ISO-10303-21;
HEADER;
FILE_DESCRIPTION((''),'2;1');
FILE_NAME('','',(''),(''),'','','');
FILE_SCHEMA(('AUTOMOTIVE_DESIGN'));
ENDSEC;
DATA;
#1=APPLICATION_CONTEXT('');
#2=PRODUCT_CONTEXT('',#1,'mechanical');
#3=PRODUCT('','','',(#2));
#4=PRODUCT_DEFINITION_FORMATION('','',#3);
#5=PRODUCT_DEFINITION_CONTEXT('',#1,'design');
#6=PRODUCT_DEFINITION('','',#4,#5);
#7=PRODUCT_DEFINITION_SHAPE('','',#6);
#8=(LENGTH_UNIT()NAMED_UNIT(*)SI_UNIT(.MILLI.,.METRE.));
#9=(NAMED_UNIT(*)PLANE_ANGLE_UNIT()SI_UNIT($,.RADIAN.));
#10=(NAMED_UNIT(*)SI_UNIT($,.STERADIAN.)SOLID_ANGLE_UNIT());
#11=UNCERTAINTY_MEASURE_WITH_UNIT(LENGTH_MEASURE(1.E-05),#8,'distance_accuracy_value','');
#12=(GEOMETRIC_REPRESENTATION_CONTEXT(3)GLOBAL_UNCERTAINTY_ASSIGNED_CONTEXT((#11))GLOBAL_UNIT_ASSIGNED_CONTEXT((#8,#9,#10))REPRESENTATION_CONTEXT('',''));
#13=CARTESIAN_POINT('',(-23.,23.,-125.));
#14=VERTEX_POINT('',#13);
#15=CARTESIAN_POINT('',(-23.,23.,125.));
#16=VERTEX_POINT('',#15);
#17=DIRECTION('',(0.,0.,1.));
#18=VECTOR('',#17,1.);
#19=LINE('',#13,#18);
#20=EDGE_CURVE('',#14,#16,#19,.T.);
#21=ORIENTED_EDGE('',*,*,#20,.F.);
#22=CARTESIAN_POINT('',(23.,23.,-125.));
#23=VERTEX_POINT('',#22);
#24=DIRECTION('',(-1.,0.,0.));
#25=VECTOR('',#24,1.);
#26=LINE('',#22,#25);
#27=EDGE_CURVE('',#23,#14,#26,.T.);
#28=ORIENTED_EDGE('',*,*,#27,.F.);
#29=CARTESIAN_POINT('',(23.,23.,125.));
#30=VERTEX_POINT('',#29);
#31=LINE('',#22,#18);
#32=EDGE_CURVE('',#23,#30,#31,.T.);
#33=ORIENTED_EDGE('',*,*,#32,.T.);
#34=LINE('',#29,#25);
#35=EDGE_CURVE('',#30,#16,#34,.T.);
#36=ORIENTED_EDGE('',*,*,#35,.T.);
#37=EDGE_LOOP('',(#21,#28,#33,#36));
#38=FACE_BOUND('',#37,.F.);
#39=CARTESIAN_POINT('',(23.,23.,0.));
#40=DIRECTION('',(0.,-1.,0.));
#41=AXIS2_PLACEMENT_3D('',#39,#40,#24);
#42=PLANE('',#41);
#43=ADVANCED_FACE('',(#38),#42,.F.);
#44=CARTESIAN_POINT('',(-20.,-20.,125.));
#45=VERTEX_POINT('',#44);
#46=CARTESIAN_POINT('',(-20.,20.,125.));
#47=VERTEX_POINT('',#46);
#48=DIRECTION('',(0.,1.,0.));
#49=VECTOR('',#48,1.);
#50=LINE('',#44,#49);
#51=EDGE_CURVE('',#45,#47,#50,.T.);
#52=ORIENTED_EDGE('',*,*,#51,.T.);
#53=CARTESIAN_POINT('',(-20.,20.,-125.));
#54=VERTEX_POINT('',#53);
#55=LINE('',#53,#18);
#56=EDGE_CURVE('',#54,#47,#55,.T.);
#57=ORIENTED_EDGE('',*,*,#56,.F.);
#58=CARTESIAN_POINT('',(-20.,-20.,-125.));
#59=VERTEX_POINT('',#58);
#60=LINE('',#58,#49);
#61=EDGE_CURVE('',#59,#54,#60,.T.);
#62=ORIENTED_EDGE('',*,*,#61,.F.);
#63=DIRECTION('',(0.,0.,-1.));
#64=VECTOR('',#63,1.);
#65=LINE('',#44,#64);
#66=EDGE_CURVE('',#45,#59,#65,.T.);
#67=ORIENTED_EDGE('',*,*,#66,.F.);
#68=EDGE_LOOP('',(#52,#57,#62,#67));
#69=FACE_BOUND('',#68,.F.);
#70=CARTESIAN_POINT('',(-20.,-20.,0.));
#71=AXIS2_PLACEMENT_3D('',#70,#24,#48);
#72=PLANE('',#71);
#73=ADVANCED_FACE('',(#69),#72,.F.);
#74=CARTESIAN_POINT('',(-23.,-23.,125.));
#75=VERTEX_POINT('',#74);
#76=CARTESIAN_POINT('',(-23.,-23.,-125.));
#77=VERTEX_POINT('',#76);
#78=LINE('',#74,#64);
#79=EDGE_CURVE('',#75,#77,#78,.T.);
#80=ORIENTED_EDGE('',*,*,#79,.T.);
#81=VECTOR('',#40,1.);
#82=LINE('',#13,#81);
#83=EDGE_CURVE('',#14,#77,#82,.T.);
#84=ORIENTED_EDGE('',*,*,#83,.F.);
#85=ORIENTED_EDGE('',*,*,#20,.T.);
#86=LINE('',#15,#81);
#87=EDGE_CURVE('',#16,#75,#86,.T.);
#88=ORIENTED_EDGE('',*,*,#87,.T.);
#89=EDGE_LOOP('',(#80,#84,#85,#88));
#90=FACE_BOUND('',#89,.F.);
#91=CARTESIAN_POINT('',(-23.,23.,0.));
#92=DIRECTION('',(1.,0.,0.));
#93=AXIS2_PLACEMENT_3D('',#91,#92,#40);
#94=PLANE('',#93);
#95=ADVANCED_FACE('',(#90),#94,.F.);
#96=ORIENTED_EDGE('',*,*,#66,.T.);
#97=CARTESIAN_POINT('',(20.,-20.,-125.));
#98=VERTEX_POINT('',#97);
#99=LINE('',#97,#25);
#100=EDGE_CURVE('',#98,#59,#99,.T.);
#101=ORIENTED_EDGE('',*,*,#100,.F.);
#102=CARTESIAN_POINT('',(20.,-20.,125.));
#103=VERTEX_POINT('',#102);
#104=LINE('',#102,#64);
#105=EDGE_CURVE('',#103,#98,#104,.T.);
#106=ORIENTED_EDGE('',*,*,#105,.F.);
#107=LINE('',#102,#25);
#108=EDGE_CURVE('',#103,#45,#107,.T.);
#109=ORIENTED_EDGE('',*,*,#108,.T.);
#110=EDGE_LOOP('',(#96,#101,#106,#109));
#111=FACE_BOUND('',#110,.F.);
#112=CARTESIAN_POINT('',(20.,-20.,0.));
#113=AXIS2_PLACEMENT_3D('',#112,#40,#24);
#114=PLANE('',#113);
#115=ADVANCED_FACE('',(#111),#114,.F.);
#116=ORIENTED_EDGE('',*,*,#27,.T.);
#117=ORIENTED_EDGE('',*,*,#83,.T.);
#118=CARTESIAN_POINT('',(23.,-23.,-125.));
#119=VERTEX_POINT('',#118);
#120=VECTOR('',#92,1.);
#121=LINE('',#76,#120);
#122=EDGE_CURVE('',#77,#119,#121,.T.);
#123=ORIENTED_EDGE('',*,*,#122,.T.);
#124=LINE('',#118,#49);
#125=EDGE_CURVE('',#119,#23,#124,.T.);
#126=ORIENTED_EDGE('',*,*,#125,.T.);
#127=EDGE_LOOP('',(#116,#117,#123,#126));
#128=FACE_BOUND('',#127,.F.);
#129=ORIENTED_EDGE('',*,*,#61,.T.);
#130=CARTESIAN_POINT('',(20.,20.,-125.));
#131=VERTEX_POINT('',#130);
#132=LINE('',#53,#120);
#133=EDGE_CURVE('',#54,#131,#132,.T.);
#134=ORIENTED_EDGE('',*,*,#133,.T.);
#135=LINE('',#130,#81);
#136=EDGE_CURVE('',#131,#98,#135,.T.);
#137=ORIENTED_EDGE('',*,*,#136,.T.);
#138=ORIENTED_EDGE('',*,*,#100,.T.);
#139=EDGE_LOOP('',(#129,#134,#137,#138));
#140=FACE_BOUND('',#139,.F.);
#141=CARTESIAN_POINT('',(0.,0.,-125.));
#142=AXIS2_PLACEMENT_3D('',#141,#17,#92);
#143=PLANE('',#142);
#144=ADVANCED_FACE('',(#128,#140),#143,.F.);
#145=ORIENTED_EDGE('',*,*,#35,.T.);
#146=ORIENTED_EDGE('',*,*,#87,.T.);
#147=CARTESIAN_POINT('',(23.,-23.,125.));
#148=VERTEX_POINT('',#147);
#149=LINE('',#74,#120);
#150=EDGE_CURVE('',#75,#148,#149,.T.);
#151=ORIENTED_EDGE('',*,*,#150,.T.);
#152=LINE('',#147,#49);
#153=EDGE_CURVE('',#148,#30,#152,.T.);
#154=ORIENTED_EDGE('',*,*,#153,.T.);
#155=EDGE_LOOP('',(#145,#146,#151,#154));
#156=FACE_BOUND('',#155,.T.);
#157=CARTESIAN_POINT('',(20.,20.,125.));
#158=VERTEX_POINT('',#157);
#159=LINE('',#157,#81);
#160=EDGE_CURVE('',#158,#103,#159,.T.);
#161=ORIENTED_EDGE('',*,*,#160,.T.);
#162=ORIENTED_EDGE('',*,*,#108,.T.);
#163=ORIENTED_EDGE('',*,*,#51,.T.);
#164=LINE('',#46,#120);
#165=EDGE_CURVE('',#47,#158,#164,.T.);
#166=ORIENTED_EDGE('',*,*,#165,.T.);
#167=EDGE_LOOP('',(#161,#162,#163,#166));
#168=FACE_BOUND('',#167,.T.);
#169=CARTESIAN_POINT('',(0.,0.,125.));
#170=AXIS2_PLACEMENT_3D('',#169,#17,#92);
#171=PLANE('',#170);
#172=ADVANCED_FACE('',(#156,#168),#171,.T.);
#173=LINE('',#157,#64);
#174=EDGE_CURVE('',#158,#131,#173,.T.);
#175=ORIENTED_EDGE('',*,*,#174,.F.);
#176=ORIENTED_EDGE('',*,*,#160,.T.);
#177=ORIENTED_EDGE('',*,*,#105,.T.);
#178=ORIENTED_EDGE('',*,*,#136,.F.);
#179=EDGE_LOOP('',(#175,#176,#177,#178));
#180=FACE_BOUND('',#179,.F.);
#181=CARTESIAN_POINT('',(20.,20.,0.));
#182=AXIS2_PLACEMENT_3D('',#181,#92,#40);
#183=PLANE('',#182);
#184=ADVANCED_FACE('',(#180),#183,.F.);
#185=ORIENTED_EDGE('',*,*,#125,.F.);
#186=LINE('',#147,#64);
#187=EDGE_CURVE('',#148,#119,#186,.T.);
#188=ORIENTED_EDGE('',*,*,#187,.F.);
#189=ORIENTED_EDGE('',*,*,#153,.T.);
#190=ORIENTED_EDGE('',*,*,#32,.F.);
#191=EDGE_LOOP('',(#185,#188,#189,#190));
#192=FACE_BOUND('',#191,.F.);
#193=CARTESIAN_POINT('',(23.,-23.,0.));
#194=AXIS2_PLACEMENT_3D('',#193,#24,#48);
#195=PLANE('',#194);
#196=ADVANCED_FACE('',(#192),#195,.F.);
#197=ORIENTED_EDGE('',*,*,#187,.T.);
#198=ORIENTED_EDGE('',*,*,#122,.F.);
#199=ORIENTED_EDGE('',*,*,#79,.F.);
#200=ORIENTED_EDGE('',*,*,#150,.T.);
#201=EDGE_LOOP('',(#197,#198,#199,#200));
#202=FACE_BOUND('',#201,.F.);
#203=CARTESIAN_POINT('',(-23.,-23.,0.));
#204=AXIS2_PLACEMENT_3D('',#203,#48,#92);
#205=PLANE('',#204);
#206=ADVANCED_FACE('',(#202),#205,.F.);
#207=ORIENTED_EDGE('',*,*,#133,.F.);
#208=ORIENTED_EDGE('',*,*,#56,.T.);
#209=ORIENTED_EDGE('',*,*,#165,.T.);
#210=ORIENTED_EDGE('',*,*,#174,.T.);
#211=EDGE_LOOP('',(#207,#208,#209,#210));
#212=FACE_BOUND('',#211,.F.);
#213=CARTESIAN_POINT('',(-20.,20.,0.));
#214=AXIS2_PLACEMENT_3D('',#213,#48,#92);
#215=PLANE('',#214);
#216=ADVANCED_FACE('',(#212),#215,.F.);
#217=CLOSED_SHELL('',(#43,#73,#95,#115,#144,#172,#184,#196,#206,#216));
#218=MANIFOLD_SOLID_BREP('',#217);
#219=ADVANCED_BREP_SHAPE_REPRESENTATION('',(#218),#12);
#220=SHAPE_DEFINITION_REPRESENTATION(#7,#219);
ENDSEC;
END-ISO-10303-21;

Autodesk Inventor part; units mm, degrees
sketch "Sketch1" plane through (0, 0, 0) normal (0, 0, 1) x (1, 0, 0)
  line L0 (-20, 20) -> (20, 20)
  line L1 (20, 20) -> (20, -20)
  line L2 (20, -20) -> (-20, -20)
  line L3 (-20, -20) -> (-20, 20)
  line L4 (-20, 20) -> (20, -20) construction
  line L5 (20, 20) -> (-20, -20) construction
  line L6 (23, 23) -> (-23, 23)
  line L7 (-23, 23) -> (-23, -23)
  line L8 (-23, -23) -> (23, -23)
  line L9 (23, -23) -> (23, 23)
  point P0 (0, 0)
  point P1 (0, 0)
  dimension "d0" = 40
  dimension "d1" = 3
extrude "Extrusion1" add sketch "Sketch1" along normal mid plane 250
properties part number "sessao_07_04_001_001" material "Aluminum 6061"
